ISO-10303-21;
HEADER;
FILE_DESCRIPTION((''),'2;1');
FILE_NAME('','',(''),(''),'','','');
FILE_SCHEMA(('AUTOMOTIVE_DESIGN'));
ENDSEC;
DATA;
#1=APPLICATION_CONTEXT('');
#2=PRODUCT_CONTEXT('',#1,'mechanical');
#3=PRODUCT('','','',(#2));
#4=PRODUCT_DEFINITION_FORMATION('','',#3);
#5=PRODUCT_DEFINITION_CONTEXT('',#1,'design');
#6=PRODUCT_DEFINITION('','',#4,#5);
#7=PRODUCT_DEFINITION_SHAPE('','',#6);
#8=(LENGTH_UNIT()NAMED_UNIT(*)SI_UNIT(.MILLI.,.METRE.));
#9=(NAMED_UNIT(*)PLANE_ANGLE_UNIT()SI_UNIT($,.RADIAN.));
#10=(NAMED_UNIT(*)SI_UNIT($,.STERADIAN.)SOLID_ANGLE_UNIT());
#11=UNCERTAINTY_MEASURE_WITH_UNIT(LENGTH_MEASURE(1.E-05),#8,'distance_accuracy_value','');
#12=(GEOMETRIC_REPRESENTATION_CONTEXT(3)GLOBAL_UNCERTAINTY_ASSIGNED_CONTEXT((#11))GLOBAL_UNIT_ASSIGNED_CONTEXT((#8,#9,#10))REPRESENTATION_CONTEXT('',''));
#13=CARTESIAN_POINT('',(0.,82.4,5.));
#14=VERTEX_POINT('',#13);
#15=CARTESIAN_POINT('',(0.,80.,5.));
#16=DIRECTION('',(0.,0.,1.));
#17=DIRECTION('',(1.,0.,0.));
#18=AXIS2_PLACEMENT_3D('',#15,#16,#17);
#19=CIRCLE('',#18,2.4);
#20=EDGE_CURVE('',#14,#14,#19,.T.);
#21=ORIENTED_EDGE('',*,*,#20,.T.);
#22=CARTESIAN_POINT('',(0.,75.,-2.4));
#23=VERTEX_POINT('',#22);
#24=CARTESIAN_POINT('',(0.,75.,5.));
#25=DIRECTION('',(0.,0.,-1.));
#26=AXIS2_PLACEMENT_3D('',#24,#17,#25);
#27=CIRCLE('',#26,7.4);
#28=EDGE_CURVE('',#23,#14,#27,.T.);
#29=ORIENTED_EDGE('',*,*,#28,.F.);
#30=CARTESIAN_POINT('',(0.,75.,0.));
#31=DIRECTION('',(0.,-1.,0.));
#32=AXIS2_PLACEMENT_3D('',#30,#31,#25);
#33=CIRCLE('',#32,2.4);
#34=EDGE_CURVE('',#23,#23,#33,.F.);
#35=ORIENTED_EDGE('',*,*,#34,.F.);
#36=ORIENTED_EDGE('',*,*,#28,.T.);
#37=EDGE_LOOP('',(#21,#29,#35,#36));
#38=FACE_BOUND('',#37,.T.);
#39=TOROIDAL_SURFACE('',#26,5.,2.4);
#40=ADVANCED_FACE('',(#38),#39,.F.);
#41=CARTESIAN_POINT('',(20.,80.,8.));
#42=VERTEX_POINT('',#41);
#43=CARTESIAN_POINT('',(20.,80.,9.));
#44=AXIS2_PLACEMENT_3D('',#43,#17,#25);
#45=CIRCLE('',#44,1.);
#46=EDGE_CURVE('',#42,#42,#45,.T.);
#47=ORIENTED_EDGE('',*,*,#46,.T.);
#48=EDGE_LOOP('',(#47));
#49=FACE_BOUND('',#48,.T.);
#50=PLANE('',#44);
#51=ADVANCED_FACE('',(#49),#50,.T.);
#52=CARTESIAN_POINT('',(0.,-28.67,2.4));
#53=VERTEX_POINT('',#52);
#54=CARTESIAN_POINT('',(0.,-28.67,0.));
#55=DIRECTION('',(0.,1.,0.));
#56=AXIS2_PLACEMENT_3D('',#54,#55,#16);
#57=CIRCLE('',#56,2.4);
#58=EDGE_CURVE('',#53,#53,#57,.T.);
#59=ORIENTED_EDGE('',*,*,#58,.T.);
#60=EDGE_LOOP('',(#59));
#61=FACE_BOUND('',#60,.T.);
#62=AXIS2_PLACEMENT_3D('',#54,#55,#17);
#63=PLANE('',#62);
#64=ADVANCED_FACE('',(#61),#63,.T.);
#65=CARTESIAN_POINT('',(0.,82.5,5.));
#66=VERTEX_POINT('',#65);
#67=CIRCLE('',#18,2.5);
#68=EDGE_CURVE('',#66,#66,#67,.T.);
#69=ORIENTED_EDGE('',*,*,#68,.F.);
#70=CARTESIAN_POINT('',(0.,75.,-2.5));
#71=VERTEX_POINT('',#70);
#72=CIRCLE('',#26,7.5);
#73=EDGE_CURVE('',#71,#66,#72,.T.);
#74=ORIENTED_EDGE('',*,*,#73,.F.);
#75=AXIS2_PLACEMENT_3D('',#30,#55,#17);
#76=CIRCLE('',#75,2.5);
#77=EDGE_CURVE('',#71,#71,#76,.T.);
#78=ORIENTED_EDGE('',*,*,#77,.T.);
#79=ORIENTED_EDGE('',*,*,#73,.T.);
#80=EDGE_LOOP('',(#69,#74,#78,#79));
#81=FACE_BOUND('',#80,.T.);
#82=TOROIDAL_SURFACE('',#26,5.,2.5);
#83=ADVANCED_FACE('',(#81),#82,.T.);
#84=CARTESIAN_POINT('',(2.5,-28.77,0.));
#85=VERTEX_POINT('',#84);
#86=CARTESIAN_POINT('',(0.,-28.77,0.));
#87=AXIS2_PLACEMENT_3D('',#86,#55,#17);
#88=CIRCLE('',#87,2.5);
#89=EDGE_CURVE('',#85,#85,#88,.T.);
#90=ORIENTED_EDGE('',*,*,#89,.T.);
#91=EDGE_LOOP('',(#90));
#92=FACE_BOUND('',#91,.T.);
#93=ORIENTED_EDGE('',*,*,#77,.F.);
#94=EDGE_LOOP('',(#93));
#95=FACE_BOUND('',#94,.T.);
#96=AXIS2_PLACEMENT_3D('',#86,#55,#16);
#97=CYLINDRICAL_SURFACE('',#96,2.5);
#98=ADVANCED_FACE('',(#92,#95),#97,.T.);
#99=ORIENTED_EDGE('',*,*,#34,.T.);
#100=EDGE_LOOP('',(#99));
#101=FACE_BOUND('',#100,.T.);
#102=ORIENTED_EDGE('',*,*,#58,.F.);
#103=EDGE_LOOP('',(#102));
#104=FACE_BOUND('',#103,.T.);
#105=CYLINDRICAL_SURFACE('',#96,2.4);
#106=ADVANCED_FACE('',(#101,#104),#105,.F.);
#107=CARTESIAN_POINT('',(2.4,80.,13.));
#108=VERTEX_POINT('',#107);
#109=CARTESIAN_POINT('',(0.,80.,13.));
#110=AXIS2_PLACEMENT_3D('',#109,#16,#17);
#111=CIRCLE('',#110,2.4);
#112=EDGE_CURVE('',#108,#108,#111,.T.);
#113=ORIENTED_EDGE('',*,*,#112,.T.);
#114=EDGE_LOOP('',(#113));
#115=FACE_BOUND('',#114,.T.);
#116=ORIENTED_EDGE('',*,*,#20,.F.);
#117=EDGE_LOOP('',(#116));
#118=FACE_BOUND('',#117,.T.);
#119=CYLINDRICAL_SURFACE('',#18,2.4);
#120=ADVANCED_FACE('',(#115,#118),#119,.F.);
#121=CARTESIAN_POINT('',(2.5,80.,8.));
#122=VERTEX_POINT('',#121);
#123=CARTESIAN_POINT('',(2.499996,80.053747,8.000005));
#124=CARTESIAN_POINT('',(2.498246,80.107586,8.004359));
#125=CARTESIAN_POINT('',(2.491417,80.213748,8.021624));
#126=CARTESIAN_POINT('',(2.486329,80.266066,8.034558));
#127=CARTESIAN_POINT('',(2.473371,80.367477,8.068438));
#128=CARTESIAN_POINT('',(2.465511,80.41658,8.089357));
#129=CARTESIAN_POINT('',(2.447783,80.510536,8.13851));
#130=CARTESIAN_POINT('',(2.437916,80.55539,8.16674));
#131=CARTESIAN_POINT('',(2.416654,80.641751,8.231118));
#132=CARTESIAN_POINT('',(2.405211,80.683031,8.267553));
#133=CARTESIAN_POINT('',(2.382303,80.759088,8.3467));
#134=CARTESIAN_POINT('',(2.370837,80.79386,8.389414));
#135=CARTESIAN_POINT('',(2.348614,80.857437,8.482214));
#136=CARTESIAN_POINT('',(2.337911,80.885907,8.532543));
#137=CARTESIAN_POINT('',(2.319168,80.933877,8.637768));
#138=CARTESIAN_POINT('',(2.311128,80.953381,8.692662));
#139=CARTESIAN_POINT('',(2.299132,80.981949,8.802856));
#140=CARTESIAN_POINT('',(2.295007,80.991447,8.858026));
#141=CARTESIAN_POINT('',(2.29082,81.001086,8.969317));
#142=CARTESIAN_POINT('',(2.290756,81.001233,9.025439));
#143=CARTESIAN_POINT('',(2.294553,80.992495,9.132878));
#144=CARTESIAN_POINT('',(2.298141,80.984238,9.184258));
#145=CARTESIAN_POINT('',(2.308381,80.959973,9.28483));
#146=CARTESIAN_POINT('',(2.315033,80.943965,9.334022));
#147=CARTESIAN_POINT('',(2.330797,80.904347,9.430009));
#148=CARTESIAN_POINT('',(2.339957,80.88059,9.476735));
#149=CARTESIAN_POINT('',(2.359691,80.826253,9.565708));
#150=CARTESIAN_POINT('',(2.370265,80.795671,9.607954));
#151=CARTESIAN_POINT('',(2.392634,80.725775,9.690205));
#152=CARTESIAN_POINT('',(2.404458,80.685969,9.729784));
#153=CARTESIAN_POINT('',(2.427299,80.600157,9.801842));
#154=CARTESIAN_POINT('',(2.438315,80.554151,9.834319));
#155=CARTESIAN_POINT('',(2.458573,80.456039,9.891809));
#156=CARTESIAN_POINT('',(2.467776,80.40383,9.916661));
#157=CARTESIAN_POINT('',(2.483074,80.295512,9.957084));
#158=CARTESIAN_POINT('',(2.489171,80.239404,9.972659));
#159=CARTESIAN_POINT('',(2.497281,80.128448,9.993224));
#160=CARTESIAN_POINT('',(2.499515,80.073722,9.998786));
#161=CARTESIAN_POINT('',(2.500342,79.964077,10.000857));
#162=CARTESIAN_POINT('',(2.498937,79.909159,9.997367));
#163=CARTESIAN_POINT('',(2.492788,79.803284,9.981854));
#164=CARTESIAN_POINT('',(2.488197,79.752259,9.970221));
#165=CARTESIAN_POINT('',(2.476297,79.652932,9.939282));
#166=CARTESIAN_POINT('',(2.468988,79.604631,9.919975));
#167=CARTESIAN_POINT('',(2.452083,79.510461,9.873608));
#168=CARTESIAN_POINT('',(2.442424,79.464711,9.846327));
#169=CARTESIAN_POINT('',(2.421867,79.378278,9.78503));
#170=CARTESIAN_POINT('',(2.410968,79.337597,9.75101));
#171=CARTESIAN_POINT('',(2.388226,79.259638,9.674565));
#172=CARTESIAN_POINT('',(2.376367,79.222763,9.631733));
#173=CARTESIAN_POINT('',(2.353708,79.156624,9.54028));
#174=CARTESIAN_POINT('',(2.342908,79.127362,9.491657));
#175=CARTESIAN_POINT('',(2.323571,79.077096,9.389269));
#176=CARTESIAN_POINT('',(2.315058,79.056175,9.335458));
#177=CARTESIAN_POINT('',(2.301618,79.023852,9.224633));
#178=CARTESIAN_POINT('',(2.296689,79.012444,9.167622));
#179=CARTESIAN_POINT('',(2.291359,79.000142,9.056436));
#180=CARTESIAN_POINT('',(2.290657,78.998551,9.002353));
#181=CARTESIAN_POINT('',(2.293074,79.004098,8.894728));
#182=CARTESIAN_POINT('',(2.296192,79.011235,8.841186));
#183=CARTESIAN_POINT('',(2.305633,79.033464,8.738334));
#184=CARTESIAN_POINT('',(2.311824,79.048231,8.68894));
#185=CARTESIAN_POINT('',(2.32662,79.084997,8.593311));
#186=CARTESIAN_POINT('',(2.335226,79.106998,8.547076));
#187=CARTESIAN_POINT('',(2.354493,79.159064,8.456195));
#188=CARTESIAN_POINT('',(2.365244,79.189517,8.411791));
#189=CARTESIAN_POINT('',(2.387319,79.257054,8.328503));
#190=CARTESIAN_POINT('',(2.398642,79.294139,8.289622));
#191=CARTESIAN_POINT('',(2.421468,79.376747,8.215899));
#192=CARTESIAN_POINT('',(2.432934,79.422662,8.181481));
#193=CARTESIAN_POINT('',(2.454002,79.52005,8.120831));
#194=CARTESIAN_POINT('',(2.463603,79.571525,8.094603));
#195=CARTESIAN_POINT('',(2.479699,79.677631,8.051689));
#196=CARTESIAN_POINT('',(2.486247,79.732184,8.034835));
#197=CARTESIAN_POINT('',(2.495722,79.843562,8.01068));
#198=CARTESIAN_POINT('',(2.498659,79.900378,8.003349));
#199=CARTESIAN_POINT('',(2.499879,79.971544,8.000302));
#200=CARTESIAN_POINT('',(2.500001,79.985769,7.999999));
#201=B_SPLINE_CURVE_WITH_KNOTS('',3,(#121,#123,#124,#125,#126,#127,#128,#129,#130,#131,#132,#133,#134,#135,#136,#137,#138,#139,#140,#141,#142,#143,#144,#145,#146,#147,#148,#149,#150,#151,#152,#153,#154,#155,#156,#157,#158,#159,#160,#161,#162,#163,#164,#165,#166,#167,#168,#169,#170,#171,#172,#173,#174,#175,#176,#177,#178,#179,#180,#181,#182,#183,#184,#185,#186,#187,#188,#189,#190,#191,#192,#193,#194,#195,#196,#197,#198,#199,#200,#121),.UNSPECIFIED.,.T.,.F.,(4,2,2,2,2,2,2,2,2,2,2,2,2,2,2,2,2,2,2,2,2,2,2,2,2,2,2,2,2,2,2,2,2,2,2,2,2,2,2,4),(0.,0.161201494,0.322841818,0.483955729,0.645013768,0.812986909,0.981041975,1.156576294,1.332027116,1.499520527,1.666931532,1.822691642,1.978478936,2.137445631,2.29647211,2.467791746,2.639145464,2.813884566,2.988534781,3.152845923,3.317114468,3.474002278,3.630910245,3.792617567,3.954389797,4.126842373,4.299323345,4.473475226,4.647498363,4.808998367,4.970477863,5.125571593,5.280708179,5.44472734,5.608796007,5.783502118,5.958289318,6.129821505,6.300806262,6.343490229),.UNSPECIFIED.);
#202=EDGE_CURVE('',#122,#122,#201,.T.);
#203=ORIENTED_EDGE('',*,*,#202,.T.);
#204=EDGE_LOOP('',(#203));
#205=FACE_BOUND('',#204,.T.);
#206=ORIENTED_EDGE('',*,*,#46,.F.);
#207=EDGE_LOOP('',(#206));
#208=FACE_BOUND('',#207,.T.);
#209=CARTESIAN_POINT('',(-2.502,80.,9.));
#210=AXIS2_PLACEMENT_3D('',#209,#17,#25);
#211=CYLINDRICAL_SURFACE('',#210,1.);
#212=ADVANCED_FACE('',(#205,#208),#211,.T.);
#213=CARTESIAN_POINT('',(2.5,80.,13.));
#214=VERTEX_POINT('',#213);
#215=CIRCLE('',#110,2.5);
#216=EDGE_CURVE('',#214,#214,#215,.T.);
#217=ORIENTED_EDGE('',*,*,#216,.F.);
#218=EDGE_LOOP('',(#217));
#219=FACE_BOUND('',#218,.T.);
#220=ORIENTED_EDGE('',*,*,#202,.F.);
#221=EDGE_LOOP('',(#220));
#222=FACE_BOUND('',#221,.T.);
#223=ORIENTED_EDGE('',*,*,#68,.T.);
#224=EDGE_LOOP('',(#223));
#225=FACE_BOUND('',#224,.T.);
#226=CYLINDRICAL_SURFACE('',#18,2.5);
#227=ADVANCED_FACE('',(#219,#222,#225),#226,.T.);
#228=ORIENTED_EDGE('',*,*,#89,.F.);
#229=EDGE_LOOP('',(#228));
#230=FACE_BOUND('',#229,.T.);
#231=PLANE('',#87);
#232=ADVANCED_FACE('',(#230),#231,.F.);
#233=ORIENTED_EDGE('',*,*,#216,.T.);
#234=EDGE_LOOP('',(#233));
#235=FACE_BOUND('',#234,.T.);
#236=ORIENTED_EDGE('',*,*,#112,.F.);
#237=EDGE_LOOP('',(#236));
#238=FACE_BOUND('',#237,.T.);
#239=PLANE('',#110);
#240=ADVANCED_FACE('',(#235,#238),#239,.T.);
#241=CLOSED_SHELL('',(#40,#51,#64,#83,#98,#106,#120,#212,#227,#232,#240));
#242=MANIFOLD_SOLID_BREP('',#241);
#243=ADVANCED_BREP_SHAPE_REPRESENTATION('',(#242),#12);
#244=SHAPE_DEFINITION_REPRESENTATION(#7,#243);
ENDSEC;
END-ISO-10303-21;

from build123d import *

# Parameters (mm, degrees)
IZIM2_R                          = 2.5
BO_ALTMA3_T                      = -0.1
Y_KSEKLIK_EKSTR_ZYON2_REACH      = 88.496
Y_KSEKLIK_EKSTR_ZYON2_END_RADIUS = 2.5
IZIM4_R                          = 1


with BuildPart() as part:
    # Süpür1: sweep along a path in Çizim1
    with BuildLine(Plane(origin=(0, 0, 0), x_dir=(0, 0, -1), z_dir=(1, 0, 0))) as s_p_r1_path:
        Line((0, -28.77), (0, 75))
        ThreePointArc((0, 75), (-1.464466094, 78.535533906), (-5, 80))
        Line((-5, 80), (-13, 80))
    # Çizim2 → Süpür1 (sweep)
    with BuildSketch(Plane.XY.offset(13)):
        with Locations((0, 80)):
            Circle(IZIM2_R)
    sweep(path=s_p_r1_path.line)

    # İç Boşaltma3
    bo_altma3_openings = [part.faces().sort_by_distance(p)[0] for p in [
        (0, 80, 13),
    ]]
    offset(amount=BO_ALTMA3_T, openings=bo_altma3_openings, kind=Kind.INTERSECTION)

    # Yükseklik-Ekstrüzyon2: up to this cylinder (the profile starts outside it)
    y_kseklik_ekstr_zyon2_end = Plane(origin=(0, 80, 9), z_dir=(0, 0, 1)) * Cylinder(Y_KSEKLIK_EKSTR_ZYON2_END_RADIUS, 182.992, mode=Mode.PRIVATE)
    # Çizim4 → Yükseklik-Ekstrüzyon2 (add, up to the surface)
    with BuildSketch(Plane(origin=(20, 0, 0), x_dir=(0, 0, -1), z_dir=(1, 0, 0)), mode=Mode.PRIVATE) as y_kseklik_ekstr_zyon2_sk1:
        with Locations((-9, 80)):
            Circle(IZIM4_R)
    y_kseklik_ekstr_zyon2_tool1 = extrude(y_kseklik_ekstr_zyon2_sk1.sketch, amount=-Y_KSEKLIK_EKSTR_ZYON2_REACH, mode=Mode.PRIVATE) - y_kseklik_ekstr_zyon2_end
    add(y_kseklik_ekstr_zyon2_tool1.solids().sort_by_distance((20, 80, 9))[0])


solid = part.part
